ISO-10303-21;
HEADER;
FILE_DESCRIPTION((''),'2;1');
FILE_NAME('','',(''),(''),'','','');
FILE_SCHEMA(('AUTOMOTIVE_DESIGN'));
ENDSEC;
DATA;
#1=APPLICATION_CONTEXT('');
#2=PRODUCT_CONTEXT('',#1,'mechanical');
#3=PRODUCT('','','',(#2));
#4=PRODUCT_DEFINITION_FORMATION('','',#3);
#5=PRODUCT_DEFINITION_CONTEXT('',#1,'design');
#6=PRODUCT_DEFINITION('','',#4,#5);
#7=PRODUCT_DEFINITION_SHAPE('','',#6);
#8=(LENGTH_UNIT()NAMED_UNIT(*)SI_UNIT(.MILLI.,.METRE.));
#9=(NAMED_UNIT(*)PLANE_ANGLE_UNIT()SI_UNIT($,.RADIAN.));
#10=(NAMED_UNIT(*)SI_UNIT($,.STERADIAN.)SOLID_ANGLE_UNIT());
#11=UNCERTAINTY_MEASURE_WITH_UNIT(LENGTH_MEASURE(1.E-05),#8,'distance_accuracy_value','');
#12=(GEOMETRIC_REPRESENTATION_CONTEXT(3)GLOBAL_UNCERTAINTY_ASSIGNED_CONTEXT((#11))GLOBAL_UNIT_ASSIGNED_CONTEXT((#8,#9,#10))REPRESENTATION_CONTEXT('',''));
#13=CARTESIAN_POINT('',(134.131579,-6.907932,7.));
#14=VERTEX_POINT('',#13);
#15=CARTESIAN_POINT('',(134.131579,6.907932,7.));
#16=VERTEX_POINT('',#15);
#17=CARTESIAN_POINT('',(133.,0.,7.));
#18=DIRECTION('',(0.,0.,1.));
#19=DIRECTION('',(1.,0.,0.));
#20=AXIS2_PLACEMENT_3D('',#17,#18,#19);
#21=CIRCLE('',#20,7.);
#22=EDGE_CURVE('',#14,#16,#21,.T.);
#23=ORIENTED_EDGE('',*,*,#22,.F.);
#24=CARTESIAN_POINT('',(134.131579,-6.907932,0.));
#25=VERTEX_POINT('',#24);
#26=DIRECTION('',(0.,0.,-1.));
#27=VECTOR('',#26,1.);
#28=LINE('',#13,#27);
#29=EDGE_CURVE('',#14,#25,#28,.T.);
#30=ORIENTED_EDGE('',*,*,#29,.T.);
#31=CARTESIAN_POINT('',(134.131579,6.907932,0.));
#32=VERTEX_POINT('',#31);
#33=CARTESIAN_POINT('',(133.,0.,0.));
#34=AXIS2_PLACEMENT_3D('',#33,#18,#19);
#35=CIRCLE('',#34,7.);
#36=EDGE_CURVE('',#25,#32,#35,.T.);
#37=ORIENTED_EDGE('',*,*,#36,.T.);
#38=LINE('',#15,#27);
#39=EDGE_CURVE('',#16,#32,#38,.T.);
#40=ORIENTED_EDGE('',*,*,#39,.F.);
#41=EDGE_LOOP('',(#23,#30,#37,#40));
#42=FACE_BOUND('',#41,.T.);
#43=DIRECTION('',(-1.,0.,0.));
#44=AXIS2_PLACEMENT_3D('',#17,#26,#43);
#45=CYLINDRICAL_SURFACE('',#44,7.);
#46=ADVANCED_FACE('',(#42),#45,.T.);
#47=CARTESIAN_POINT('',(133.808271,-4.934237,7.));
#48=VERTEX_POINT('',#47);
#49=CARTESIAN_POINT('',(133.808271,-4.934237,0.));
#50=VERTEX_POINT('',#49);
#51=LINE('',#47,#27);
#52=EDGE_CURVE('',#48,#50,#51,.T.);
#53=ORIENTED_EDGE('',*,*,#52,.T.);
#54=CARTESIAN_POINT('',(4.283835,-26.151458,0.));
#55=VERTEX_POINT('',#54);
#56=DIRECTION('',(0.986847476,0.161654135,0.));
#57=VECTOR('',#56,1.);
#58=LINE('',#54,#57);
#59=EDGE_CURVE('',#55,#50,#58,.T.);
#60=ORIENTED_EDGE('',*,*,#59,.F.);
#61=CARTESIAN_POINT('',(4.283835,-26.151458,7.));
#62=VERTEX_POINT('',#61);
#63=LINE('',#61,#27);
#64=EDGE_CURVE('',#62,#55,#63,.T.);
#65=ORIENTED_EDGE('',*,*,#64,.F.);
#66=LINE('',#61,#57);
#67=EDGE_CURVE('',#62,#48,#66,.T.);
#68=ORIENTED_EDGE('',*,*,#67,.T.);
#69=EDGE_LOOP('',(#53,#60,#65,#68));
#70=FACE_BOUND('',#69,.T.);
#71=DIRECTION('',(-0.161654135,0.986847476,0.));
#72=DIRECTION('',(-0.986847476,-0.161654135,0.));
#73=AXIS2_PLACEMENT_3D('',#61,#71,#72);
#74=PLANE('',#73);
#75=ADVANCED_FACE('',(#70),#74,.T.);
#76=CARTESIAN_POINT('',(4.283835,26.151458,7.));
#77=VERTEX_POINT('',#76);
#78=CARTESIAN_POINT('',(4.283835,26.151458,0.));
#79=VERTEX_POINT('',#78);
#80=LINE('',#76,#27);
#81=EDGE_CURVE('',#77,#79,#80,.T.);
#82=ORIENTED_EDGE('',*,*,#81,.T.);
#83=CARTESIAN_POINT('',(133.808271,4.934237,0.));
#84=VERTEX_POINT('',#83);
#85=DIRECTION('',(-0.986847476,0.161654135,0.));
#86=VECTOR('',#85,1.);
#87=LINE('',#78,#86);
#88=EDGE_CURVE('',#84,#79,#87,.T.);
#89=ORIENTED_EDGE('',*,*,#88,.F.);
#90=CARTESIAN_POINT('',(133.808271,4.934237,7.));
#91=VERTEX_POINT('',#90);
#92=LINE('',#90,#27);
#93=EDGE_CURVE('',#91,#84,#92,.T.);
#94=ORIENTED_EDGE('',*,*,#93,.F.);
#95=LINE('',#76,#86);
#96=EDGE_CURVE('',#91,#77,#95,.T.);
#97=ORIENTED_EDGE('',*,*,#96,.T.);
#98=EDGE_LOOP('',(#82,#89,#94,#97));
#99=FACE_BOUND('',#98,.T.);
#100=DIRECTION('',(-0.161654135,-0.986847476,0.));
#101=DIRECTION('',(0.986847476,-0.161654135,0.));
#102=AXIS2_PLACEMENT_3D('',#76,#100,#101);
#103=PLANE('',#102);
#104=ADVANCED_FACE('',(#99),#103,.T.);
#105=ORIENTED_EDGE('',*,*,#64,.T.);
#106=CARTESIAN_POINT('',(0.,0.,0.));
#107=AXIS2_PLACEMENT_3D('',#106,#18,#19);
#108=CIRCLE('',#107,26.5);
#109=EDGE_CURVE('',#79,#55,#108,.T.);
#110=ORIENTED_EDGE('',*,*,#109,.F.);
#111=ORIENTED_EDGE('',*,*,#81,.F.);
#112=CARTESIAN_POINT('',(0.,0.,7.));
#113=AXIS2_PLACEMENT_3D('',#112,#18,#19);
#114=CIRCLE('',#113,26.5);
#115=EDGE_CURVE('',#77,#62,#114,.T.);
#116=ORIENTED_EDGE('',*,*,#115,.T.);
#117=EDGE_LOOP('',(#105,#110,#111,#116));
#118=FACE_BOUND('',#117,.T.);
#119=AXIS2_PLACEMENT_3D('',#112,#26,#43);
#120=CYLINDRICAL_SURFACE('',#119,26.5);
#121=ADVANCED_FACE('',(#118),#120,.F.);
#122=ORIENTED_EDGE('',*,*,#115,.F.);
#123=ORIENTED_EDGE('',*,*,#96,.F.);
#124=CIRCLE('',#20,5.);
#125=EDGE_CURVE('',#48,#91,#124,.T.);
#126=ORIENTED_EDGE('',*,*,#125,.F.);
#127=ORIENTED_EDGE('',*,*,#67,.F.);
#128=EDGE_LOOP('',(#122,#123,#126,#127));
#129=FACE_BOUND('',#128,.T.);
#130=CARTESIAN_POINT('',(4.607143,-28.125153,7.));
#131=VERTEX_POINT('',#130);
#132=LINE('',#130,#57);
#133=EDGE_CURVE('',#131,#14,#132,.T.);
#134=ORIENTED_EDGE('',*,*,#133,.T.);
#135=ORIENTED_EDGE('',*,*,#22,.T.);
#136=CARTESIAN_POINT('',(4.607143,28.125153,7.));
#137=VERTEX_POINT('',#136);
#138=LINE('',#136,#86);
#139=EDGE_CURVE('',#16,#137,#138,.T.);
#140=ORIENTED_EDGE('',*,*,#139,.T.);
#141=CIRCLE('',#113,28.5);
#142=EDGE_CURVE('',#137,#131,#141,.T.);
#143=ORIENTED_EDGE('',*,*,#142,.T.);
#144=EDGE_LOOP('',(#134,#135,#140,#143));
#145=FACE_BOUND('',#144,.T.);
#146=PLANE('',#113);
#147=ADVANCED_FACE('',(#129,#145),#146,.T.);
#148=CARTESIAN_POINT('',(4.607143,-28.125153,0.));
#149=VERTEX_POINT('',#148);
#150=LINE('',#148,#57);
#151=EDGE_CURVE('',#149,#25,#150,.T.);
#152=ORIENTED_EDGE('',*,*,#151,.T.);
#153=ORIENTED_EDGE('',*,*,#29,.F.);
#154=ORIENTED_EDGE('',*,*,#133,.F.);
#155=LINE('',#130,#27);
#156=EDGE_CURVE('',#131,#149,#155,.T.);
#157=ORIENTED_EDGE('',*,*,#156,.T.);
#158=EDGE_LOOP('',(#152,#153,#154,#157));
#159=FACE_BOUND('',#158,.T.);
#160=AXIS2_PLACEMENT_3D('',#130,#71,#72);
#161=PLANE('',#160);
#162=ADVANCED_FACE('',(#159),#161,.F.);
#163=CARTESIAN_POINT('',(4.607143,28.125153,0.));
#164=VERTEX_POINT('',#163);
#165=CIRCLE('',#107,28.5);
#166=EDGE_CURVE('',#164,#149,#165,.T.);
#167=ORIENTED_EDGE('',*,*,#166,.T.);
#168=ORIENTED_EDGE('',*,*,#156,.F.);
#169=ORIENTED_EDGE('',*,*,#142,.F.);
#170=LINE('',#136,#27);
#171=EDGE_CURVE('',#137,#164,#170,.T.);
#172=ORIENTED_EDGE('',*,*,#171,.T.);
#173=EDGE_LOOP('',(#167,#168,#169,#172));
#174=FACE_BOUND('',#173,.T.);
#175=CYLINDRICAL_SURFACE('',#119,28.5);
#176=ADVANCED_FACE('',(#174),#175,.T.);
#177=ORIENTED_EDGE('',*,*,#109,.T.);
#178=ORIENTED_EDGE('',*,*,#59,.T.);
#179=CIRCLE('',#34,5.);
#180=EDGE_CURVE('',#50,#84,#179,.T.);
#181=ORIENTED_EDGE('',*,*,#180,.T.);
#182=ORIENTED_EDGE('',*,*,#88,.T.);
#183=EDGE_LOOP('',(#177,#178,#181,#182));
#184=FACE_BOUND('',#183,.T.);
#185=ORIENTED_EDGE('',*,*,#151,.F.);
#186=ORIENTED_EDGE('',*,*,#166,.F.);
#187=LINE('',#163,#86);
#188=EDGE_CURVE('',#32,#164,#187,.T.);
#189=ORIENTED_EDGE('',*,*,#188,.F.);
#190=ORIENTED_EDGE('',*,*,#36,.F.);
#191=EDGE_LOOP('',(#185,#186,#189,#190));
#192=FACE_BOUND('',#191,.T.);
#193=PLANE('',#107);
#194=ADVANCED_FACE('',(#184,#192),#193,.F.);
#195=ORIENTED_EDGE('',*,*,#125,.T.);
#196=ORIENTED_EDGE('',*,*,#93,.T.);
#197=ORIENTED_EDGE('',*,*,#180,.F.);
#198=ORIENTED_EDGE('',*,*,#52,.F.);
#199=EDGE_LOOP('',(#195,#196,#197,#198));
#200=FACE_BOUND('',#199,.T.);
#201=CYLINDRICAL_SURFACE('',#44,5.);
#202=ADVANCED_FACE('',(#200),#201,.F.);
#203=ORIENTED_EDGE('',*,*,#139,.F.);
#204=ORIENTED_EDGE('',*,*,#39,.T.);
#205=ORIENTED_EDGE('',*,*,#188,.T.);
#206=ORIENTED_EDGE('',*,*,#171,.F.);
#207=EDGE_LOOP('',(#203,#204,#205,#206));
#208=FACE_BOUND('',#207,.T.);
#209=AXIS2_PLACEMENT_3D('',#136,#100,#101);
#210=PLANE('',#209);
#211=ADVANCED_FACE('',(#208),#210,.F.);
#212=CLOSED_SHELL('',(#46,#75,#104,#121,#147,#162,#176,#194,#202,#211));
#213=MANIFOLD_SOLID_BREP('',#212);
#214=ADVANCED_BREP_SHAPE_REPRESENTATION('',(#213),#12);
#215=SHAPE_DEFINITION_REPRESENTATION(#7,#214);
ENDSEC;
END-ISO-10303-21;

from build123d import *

# Parameters (mm, degrees)
BOSS_EXTRUDE1_DEPTH = 7


with BuildPart() as part:
    # Sketch1 → Boss-Extrude1 (new body)
    with BuildSketch(Plane.XY):
        with BuildLine():
            Line((4.607142857, 28.125153061), (134.131578947, 6.907932331))
            ThreePointArc((134.131578947, 6.907932331), (140, 0), (134.131578947, -6.907932331))
            Line((134.131578947, -6.907932331), (4.607142857, -28.125153061))
            ThreePointArc((4.607142857, -28.125153061), (-28.5, 0), (4.607142857, 28.125153061))
        make_face()
        with BuildLine():
            Line((4.283834586, 26.151458109), (133.808270677, 4.934237379))
            ThreePointArc((133.808270677, 4.934237379), (138, 0), (133.808270677, -4.934237379))
            Line((133.808270677, -4.934237379), (4.283834586, -26.151458109))
            ThreePointArc((4.283834586, -26.151458109), (-26.5, 0), (4.283834586, 26.151458109))
        make_face(mode=Mode.SUBTRACT)
    extrude(amount=BOSS_EXTRUDE1_DEPTH)


solid = part.part
